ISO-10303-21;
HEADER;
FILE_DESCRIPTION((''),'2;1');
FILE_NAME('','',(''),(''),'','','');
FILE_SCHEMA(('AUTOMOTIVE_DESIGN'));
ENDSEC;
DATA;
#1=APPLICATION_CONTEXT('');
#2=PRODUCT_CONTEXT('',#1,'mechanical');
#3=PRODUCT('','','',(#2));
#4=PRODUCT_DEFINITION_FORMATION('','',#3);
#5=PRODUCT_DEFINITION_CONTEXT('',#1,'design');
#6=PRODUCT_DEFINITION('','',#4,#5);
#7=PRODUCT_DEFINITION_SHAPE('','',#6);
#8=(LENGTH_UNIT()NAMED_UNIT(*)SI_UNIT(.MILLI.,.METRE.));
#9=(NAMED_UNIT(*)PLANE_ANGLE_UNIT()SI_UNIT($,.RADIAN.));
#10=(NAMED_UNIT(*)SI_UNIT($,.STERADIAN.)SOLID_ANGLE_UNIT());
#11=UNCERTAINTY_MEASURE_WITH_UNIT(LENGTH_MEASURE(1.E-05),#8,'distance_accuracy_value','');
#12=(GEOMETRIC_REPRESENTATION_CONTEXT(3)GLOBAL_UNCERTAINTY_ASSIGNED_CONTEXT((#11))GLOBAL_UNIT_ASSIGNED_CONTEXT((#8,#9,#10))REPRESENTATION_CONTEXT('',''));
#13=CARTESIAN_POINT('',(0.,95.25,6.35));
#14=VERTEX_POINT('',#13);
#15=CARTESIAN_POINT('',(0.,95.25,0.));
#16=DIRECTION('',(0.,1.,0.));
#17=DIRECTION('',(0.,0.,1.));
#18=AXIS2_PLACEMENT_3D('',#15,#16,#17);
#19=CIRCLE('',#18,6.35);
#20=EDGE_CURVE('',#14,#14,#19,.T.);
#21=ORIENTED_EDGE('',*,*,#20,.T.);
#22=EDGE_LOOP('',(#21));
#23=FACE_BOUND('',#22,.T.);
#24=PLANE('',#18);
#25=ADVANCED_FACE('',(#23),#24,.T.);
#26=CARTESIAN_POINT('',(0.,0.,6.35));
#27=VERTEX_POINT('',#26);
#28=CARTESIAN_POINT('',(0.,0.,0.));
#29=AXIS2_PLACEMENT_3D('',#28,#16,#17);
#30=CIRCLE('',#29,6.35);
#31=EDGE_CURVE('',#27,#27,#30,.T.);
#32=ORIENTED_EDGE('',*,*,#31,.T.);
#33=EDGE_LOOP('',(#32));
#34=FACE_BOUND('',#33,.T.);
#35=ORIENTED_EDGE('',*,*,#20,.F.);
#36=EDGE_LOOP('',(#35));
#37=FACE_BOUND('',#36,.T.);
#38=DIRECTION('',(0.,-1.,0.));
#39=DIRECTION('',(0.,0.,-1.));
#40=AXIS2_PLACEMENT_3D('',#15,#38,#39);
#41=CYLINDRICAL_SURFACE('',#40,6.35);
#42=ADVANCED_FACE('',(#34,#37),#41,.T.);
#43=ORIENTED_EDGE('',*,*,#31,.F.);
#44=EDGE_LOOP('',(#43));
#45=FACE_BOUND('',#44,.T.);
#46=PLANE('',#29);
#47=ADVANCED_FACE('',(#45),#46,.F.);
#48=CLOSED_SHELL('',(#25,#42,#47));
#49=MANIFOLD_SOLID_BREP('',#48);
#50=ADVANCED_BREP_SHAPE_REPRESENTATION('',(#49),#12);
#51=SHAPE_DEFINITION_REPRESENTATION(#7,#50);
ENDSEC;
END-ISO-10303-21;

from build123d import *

# Parameters (mm, degrees)
SKETCH1_R           = 6.35
BOSS_EXTRUDE1_DEPTH = 95.25


with BuildPart() as part:
    # Sketch1 → Boss-Extrude1 (new body)
    with BuildSketch(Plane(origin=(0, 0, 0), x_dir=(1, 0, 0), z_dir=(0, 1, 0))):
        Circle(SKETCH1_R)
    extrude(amount=BOSS_EXTRUDE1_DEPTH)


solid = part.part
